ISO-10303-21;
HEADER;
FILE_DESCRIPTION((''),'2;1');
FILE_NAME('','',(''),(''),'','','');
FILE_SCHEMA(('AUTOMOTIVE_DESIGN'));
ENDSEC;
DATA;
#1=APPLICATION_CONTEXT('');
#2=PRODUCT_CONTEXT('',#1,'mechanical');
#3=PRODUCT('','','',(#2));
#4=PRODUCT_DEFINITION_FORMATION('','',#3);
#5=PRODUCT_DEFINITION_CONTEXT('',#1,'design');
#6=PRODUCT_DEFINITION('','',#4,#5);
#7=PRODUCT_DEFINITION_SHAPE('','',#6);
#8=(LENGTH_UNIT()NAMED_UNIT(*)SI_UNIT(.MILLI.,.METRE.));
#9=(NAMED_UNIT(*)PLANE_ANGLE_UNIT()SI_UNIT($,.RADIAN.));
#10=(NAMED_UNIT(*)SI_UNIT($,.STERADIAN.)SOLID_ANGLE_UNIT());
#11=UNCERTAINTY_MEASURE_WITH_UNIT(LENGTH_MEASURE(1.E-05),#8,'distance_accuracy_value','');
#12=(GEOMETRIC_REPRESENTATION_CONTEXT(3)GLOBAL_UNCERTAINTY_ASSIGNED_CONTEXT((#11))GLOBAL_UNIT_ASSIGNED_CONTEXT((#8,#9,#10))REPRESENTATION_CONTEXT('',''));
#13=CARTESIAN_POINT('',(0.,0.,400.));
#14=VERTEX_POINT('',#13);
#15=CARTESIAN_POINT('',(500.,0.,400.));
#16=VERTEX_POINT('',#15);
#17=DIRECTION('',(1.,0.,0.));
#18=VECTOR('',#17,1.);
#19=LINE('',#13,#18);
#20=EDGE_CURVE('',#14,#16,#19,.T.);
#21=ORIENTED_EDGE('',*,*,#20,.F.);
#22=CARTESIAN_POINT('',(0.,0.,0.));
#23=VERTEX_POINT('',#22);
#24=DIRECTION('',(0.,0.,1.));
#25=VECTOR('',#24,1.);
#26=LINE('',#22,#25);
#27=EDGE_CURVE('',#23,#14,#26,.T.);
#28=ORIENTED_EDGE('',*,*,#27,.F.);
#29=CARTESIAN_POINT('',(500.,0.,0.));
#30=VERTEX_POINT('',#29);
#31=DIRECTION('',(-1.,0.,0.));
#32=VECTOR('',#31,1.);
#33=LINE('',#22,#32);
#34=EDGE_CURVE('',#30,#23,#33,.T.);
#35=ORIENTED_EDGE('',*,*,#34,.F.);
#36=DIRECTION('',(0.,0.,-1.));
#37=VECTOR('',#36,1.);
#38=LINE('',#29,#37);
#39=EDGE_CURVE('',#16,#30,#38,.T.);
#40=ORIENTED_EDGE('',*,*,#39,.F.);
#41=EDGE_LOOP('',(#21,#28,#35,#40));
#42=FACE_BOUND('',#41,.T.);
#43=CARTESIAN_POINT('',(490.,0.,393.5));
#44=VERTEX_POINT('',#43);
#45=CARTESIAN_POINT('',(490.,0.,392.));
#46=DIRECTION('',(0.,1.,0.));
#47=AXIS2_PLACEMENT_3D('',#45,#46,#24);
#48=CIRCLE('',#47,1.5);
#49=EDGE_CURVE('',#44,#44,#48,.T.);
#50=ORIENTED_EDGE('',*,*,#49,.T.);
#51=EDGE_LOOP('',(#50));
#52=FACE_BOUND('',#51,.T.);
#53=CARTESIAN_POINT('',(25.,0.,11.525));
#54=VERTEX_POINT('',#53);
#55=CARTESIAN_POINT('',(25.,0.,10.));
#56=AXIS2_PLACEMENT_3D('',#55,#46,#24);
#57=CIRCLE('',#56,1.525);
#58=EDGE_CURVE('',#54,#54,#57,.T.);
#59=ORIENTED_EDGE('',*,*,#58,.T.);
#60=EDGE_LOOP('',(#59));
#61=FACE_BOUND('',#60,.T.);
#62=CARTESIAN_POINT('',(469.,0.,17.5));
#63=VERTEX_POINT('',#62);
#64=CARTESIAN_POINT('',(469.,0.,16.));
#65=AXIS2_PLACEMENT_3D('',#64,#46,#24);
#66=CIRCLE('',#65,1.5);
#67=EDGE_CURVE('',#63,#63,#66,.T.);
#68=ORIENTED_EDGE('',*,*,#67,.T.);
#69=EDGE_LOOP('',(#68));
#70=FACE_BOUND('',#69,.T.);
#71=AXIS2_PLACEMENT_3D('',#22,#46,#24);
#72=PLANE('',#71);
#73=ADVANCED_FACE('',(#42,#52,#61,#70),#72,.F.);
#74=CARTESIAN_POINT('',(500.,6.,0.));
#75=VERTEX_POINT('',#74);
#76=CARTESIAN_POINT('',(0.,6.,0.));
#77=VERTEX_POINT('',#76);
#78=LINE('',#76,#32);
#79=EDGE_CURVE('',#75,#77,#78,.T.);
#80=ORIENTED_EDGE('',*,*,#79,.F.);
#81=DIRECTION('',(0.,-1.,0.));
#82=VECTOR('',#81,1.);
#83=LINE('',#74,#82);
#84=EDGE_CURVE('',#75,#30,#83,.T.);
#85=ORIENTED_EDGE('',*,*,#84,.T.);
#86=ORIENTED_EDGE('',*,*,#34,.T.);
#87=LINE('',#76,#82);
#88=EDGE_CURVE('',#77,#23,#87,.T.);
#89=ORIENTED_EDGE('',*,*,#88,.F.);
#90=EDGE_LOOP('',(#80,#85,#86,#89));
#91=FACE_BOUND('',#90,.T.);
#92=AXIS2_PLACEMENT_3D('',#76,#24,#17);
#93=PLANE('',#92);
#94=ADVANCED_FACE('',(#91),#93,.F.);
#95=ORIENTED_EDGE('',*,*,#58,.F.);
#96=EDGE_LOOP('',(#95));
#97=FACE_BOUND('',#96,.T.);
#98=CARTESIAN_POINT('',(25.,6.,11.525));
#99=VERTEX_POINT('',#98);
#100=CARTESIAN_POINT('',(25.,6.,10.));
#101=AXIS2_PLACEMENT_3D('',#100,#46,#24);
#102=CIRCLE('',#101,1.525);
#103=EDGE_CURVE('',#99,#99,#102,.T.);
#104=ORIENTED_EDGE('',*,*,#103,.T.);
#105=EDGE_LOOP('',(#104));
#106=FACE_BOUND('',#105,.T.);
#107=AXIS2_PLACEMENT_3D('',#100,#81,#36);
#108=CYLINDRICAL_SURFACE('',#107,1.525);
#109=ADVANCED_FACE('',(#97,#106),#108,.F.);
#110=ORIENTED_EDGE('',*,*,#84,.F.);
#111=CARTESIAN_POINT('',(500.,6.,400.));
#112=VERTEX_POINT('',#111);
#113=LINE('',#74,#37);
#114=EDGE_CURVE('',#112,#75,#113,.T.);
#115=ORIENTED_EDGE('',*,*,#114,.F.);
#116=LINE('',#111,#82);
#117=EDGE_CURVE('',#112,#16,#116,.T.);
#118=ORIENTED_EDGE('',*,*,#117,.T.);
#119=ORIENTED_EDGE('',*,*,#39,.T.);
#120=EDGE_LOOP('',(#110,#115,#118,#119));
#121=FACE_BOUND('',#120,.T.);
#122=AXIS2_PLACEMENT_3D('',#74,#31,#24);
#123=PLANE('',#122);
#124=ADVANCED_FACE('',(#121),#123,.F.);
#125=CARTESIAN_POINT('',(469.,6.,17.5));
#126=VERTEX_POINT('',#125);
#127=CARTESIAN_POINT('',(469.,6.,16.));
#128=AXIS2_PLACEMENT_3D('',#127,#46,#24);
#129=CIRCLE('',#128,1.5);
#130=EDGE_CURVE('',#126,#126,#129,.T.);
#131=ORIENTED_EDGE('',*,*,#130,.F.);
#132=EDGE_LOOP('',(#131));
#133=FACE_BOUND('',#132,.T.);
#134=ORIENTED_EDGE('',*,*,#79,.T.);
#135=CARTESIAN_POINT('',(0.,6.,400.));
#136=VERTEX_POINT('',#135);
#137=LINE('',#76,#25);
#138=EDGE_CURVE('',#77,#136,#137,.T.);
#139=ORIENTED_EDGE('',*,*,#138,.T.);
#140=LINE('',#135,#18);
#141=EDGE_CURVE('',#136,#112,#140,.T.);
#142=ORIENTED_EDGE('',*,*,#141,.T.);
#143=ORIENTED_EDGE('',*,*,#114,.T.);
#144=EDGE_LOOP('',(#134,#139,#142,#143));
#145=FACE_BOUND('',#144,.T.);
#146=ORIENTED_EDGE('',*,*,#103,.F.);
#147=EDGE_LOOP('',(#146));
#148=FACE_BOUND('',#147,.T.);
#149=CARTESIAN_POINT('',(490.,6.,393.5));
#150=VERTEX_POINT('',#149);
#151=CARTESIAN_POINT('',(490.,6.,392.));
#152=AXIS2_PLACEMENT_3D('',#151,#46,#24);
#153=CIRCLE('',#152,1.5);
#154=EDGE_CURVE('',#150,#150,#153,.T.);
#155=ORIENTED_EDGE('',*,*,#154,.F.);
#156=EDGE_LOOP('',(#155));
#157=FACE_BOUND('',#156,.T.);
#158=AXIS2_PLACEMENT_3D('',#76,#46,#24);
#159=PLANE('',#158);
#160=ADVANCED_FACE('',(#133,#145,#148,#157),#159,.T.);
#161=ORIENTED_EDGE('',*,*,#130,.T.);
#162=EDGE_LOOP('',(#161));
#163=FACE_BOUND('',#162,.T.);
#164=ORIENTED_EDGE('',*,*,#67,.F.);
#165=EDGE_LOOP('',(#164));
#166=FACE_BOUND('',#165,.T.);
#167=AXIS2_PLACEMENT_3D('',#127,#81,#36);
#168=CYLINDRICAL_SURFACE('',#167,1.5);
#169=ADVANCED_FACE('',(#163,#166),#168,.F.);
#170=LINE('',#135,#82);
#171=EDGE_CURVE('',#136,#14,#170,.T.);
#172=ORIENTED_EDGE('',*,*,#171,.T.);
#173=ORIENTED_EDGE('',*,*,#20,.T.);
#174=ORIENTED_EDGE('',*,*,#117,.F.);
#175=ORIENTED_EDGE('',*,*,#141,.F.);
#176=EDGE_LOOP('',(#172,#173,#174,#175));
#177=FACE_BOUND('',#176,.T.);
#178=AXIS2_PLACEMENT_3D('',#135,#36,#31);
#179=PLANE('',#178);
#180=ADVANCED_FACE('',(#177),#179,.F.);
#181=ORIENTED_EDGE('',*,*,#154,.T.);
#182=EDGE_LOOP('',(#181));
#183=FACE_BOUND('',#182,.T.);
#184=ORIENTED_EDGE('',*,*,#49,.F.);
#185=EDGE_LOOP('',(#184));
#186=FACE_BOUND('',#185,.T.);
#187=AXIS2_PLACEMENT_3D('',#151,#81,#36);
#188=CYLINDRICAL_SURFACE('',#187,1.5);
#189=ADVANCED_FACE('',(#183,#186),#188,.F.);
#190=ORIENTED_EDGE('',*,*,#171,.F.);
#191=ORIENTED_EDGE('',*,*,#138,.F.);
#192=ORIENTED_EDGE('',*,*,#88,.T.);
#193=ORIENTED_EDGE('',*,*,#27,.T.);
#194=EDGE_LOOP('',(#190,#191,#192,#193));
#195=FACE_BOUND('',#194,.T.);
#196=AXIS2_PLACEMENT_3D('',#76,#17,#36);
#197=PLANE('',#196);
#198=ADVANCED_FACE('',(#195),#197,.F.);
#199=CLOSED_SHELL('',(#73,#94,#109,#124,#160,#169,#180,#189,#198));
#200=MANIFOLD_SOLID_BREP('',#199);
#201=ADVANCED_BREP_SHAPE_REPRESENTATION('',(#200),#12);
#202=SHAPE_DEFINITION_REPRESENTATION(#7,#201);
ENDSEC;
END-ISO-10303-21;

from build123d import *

# Parameters (mm, degrees)
SKETCH1_W           = 500
SKETCH1_H           = 400
SKETCH1_R           = 1.525
SKETCH1_R_2         = 1.5
BOSS_EXTRUDE1_DEPTH = 6


with BuildPart() as part:
    # Sketch1 → Boss-Extrude1 (new body)
    with BuildSketch(Plane(origin=(0, 0, 0), x_dir=(1, 0, 0), z_dir=(0, 1, 0))):
        with Locations((250, -200)):
            Rectangle(SKETCH1_W, SKETCH1_H)
        with Locations((25, -10)):
            Circle(SKETCH1_R, mode=Mode.SUBTRACT)
        with Locations((490, -392)):
            Circle(SKETCH1_R_2, mode=Mode.SUBTRACT)
        with Locations((469, -16)):
            Circle(SKETCH1_R_2, mode=Mode.SUBTRACT)
    extrude(amount=BOSS_EXTRUDE1_DEPTH)


solid = part.part
